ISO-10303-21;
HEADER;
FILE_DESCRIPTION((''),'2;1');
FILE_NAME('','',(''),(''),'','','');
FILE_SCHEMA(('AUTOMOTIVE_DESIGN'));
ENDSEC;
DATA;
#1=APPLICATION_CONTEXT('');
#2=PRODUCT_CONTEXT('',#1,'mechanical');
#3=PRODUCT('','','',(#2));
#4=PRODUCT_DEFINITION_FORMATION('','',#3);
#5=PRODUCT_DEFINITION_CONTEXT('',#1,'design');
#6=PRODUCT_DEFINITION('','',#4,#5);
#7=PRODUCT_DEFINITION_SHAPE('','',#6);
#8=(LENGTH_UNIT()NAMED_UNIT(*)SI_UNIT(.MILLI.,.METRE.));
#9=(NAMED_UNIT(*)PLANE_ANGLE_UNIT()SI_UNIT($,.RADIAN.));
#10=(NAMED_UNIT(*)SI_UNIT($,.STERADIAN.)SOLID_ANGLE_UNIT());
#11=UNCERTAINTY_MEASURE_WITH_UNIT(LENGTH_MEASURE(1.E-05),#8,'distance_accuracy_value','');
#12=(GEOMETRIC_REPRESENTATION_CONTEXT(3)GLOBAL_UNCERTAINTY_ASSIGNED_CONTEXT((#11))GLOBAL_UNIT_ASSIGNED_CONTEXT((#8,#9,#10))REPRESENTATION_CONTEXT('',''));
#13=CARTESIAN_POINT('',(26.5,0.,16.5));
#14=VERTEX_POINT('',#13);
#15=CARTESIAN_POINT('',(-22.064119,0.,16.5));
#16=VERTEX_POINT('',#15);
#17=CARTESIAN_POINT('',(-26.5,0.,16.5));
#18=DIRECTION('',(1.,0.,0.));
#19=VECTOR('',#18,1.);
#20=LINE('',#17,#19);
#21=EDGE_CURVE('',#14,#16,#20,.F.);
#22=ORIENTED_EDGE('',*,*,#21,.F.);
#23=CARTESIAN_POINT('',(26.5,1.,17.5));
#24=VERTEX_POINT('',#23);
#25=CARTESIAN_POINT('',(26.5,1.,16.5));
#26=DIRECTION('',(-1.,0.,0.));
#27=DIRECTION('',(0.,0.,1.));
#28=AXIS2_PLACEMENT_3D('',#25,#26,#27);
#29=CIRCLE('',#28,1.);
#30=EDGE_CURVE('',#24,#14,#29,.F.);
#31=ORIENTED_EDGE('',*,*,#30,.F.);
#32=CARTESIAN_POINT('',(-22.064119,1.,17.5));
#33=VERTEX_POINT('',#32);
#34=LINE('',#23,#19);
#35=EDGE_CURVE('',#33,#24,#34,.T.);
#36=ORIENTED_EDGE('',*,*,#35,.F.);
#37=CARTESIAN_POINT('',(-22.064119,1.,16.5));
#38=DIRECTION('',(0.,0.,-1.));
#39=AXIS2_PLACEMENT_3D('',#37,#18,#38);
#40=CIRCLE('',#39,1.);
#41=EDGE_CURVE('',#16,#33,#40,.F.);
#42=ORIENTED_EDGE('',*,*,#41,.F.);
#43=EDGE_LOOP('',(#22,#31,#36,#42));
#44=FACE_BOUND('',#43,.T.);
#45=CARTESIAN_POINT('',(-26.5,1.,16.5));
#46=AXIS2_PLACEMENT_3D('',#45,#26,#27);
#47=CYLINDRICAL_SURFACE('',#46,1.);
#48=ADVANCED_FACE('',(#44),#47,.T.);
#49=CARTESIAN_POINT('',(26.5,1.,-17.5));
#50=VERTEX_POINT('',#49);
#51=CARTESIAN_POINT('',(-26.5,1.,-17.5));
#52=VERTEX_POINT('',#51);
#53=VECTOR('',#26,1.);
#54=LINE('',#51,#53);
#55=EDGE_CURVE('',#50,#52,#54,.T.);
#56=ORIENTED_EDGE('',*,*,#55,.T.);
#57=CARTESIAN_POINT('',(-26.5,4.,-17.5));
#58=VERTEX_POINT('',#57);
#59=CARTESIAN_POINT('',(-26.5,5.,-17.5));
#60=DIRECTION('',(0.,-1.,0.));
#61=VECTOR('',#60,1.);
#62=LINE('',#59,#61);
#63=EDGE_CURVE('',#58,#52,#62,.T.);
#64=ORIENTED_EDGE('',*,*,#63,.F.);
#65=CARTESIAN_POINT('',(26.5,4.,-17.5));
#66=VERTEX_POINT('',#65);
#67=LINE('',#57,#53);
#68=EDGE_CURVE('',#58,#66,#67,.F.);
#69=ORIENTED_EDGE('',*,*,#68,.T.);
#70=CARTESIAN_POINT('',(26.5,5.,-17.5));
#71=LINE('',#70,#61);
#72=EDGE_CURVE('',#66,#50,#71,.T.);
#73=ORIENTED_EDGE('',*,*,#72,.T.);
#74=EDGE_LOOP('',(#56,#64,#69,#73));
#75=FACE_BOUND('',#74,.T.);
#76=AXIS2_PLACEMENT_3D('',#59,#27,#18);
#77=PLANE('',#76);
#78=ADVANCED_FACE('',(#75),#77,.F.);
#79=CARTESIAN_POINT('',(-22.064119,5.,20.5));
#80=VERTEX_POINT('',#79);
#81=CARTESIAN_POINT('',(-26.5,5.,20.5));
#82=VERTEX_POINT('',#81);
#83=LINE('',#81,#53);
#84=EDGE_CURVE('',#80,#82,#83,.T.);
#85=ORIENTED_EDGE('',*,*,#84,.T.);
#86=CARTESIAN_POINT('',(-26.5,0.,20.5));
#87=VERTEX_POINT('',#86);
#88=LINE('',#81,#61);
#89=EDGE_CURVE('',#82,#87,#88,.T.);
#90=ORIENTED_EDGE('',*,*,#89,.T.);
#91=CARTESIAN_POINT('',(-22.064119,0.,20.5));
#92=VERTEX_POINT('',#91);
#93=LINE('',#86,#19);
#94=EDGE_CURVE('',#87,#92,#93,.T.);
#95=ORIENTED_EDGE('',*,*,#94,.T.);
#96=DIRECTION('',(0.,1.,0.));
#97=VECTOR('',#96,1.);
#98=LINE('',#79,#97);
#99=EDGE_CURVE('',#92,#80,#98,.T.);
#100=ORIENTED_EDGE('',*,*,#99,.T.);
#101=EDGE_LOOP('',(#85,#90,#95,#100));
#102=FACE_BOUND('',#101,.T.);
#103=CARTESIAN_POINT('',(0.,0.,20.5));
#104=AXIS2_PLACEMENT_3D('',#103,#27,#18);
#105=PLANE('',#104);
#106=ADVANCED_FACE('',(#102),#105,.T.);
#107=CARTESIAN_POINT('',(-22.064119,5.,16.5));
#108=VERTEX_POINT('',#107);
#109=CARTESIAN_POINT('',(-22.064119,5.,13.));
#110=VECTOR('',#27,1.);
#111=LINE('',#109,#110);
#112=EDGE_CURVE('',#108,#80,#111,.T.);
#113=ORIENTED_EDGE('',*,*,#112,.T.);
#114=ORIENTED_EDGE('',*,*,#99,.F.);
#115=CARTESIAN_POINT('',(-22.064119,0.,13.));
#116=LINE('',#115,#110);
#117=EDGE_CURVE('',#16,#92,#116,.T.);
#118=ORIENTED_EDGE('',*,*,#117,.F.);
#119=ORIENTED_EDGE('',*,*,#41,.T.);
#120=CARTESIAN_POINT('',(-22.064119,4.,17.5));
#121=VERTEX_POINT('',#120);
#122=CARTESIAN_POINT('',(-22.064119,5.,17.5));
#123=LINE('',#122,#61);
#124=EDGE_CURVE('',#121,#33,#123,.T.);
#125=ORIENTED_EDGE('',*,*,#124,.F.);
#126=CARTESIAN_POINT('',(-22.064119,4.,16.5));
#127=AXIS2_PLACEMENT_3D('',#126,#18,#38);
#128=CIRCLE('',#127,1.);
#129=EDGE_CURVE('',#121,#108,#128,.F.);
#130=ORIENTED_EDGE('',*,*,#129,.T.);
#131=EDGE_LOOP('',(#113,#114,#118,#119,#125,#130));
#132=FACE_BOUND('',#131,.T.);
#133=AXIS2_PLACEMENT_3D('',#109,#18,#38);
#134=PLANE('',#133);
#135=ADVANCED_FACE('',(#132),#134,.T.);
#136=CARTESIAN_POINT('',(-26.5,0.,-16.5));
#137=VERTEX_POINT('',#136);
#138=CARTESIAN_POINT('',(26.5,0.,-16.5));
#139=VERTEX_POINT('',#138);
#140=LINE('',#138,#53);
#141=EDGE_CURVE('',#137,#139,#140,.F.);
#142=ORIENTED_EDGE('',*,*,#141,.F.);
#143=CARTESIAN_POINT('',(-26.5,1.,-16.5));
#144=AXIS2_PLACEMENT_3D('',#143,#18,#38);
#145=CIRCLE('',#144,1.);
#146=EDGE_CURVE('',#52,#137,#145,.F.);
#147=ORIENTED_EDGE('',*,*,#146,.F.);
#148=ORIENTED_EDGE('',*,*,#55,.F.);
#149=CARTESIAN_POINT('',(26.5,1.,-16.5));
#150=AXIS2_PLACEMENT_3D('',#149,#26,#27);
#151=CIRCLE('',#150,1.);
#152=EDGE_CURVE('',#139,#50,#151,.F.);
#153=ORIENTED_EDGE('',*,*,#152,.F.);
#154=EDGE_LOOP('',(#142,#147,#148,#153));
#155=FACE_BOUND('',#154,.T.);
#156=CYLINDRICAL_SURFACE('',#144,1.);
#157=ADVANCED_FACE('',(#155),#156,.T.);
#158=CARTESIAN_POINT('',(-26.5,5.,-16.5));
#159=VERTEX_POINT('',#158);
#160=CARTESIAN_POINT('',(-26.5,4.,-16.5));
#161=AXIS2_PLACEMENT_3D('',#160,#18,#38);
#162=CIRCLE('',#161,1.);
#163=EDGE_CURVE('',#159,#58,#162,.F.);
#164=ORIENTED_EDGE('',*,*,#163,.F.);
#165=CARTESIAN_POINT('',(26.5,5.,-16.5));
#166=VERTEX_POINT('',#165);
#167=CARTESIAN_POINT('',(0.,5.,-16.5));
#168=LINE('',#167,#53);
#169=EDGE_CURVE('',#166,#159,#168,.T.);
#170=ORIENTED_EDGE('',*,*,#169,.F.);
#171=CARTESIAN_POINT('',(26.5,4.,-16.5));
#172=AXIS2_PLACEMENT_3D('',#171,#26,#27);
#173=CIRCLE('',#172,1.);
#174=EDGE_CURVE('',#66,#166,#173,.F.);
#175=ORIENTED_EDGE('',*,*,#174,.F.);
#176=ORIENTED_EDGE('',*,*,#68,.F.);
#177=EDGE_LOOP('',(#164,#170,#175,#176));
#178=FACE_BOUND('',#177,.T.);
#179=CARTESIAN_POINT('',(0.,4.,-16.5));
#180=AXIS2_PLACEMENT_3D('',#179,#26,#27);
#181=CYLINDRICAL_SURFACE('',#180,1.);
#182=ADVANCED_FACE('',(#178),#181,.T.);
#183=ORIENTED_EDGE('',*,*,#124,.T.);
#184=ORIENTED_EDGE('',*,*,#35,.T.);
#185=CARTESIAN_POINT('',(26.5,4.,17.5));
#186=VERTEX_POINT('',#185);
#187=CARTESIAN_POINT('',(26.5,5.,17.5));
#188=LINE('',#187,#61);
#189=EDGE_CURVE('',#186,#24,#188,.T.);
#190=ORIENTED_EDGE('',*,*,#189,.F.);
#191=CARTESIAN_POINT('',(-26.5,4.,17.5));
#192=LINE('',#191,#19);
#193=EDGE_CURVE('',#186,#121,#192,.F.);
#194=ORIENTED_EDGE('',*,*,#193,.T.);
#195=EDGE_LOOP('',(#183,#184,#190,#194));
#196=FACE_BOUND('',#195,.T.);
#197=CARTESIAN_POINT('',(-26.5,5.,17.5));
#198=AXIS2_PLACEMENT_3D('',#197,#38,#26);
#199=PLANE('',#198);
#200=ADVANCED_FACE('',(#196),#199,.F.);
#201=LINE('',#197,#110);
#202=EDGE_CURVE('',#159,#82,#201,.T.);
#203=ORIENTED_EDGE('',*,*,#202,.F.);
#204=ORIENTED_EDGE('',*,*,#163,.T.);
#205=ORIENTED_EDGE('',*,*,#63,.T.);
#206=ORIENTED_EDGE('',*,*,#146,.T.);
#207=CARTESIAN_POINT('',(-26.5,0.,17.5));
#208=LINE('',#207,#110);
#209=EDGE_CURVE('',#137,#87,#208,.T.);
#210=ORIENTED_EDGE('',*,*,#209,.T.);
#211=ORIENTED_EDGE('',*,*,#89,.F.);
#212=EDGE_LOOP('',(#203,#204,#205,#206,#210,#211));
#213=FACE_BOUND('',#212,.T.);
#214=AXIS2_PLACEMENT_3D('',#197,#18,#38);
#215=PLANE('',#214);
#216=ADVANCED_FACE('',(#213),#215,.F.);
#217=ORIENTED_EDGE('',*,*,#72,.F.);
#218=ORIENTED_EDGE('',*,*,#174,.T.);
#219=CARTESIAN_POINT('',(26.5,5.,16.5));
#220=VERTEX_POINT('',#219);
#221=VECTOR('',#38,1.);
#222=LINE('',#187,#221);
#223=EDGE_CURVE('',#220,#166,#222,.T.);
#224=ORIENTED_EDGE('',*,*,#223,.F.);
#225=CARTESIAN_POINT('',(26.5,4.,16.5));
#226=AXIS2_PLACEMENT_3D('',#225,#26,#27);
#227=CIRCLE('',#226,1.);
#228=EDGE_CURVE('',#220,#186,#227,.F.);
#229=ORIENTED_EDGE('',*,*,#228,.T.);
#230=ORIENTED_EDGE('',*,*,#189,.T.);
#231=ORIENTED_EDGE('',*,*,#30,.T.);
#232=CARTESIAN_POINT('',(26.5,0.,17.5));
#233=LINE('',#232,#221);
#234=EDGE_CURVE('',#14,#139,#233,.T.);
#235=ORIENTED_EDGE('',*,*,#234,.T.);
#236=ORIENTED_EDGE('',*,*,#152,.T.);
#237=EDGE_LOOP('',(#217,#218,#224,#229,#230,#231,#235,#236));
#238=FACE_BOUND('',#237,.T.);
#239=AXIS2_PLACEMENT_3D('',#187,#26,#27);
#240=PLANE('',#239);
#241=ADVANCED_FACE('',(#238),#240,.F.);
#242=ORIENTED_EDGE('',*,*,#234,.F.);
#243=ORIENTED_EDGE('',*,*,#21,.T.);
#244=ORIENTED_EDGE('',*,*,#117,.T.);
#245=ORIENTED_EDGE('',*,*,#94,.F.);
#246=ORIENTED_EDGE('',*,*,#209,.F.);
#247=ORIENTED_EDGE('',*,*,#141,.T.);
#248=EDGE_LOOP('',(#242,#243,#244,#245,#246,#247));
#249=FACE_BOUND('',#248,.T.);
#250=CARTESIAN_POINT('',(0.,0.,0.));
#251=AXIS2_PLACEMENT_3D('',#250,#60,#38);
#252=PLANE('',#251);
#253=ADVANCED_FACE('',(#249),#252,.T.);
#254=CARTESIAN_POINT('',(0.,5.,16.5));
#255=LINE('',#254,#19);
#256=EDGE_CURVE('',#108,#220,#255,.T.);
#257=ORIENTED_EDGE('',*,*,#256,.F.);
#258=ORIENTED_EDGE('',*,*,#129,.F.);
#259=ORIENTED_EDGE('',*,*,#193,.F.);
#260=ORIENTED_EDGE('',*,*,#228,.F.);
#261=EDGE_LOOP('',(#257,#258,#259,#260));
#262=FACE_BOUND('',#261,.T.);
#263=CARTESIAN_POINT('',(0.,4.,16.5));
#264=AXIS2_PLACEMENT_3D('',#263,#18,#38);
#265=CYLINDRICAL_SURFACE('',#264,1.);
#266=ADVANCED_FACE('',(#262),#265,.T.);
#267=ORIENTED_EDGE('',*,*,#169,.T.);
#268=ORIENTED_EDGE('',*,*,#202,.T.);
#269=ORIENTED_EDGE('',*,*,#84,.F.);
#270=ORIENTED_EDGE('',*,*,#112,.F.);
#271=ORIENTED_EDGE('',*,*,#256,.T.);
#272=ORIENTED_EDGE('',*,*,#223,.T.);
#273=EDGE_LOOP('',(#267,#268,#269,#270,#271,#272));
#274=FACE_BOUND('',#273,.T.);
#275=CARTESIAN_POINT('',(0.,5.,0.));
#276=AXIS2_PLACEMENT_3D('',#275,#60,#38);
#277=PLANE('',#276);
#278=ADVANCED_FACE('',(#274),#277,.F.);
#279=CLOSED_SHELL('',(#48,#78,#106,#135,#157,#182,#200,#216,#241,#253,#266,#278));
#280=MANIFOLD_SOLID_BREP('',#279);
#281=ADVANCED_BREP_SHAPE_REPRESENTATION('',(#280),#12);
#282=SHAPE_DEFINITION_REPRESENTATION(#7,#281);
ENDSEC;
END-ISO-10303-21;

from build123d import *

# Parameters (mm, degrees)
SKETCH1_W                = 53
SKETCH1_H                = 35
BOSS_EXTRUDE1_DEPTH      = 5
FILLET1_R                = 1
SKETCH2_W                = 4.435881082
SKETCH2_H                = 5
BOSS_EXTRUDE2_DEPTH      = 3
BOSS_EXTRUDE2_DEPTH_BACK = 4.5


with BuildPart() as part:
    # Sketch1 → Boss-Extrude1 (new body)
    with BuildSketch(Plane(origin=(0, 0, 0), x_dir=(1, 0, 0), z_dir=(0, 1, 0))):
        Rectangle(SKETCH1_W, SKETCH1_H)
    extrude(amount=BOSS_EXTRUDE1_DEPTH)

    # Fillet1
    fillet1_edges = [part.edges().sort_by_distance(p)[0] for p in [
        (0, 0, 17.5),
        (0, 5, 17.5),
        (0, 0, -17.5),
        (0, 5, -17.5),
    ]]
    fillet(fillet1_edges, radius=FILLET1_R)

    # Sketch2 → Boss-Extrude2 (add, two sides)
    with BuildSketch(Plane.XY.offset(17.5)) as boss_extrude2_sk:
        with Locations((-24.282059459, 2.5)):
            Rectangle(SKETCH2_W, SKETCH2_H)
    extrude(amount=BOSS_EXTRUDE2_DEPTH)
    extrude(boss_extrude2_sk.sketch, amount=-BOSS_EXTRUDE2_DEPTH_BACK)


solid = part.part
